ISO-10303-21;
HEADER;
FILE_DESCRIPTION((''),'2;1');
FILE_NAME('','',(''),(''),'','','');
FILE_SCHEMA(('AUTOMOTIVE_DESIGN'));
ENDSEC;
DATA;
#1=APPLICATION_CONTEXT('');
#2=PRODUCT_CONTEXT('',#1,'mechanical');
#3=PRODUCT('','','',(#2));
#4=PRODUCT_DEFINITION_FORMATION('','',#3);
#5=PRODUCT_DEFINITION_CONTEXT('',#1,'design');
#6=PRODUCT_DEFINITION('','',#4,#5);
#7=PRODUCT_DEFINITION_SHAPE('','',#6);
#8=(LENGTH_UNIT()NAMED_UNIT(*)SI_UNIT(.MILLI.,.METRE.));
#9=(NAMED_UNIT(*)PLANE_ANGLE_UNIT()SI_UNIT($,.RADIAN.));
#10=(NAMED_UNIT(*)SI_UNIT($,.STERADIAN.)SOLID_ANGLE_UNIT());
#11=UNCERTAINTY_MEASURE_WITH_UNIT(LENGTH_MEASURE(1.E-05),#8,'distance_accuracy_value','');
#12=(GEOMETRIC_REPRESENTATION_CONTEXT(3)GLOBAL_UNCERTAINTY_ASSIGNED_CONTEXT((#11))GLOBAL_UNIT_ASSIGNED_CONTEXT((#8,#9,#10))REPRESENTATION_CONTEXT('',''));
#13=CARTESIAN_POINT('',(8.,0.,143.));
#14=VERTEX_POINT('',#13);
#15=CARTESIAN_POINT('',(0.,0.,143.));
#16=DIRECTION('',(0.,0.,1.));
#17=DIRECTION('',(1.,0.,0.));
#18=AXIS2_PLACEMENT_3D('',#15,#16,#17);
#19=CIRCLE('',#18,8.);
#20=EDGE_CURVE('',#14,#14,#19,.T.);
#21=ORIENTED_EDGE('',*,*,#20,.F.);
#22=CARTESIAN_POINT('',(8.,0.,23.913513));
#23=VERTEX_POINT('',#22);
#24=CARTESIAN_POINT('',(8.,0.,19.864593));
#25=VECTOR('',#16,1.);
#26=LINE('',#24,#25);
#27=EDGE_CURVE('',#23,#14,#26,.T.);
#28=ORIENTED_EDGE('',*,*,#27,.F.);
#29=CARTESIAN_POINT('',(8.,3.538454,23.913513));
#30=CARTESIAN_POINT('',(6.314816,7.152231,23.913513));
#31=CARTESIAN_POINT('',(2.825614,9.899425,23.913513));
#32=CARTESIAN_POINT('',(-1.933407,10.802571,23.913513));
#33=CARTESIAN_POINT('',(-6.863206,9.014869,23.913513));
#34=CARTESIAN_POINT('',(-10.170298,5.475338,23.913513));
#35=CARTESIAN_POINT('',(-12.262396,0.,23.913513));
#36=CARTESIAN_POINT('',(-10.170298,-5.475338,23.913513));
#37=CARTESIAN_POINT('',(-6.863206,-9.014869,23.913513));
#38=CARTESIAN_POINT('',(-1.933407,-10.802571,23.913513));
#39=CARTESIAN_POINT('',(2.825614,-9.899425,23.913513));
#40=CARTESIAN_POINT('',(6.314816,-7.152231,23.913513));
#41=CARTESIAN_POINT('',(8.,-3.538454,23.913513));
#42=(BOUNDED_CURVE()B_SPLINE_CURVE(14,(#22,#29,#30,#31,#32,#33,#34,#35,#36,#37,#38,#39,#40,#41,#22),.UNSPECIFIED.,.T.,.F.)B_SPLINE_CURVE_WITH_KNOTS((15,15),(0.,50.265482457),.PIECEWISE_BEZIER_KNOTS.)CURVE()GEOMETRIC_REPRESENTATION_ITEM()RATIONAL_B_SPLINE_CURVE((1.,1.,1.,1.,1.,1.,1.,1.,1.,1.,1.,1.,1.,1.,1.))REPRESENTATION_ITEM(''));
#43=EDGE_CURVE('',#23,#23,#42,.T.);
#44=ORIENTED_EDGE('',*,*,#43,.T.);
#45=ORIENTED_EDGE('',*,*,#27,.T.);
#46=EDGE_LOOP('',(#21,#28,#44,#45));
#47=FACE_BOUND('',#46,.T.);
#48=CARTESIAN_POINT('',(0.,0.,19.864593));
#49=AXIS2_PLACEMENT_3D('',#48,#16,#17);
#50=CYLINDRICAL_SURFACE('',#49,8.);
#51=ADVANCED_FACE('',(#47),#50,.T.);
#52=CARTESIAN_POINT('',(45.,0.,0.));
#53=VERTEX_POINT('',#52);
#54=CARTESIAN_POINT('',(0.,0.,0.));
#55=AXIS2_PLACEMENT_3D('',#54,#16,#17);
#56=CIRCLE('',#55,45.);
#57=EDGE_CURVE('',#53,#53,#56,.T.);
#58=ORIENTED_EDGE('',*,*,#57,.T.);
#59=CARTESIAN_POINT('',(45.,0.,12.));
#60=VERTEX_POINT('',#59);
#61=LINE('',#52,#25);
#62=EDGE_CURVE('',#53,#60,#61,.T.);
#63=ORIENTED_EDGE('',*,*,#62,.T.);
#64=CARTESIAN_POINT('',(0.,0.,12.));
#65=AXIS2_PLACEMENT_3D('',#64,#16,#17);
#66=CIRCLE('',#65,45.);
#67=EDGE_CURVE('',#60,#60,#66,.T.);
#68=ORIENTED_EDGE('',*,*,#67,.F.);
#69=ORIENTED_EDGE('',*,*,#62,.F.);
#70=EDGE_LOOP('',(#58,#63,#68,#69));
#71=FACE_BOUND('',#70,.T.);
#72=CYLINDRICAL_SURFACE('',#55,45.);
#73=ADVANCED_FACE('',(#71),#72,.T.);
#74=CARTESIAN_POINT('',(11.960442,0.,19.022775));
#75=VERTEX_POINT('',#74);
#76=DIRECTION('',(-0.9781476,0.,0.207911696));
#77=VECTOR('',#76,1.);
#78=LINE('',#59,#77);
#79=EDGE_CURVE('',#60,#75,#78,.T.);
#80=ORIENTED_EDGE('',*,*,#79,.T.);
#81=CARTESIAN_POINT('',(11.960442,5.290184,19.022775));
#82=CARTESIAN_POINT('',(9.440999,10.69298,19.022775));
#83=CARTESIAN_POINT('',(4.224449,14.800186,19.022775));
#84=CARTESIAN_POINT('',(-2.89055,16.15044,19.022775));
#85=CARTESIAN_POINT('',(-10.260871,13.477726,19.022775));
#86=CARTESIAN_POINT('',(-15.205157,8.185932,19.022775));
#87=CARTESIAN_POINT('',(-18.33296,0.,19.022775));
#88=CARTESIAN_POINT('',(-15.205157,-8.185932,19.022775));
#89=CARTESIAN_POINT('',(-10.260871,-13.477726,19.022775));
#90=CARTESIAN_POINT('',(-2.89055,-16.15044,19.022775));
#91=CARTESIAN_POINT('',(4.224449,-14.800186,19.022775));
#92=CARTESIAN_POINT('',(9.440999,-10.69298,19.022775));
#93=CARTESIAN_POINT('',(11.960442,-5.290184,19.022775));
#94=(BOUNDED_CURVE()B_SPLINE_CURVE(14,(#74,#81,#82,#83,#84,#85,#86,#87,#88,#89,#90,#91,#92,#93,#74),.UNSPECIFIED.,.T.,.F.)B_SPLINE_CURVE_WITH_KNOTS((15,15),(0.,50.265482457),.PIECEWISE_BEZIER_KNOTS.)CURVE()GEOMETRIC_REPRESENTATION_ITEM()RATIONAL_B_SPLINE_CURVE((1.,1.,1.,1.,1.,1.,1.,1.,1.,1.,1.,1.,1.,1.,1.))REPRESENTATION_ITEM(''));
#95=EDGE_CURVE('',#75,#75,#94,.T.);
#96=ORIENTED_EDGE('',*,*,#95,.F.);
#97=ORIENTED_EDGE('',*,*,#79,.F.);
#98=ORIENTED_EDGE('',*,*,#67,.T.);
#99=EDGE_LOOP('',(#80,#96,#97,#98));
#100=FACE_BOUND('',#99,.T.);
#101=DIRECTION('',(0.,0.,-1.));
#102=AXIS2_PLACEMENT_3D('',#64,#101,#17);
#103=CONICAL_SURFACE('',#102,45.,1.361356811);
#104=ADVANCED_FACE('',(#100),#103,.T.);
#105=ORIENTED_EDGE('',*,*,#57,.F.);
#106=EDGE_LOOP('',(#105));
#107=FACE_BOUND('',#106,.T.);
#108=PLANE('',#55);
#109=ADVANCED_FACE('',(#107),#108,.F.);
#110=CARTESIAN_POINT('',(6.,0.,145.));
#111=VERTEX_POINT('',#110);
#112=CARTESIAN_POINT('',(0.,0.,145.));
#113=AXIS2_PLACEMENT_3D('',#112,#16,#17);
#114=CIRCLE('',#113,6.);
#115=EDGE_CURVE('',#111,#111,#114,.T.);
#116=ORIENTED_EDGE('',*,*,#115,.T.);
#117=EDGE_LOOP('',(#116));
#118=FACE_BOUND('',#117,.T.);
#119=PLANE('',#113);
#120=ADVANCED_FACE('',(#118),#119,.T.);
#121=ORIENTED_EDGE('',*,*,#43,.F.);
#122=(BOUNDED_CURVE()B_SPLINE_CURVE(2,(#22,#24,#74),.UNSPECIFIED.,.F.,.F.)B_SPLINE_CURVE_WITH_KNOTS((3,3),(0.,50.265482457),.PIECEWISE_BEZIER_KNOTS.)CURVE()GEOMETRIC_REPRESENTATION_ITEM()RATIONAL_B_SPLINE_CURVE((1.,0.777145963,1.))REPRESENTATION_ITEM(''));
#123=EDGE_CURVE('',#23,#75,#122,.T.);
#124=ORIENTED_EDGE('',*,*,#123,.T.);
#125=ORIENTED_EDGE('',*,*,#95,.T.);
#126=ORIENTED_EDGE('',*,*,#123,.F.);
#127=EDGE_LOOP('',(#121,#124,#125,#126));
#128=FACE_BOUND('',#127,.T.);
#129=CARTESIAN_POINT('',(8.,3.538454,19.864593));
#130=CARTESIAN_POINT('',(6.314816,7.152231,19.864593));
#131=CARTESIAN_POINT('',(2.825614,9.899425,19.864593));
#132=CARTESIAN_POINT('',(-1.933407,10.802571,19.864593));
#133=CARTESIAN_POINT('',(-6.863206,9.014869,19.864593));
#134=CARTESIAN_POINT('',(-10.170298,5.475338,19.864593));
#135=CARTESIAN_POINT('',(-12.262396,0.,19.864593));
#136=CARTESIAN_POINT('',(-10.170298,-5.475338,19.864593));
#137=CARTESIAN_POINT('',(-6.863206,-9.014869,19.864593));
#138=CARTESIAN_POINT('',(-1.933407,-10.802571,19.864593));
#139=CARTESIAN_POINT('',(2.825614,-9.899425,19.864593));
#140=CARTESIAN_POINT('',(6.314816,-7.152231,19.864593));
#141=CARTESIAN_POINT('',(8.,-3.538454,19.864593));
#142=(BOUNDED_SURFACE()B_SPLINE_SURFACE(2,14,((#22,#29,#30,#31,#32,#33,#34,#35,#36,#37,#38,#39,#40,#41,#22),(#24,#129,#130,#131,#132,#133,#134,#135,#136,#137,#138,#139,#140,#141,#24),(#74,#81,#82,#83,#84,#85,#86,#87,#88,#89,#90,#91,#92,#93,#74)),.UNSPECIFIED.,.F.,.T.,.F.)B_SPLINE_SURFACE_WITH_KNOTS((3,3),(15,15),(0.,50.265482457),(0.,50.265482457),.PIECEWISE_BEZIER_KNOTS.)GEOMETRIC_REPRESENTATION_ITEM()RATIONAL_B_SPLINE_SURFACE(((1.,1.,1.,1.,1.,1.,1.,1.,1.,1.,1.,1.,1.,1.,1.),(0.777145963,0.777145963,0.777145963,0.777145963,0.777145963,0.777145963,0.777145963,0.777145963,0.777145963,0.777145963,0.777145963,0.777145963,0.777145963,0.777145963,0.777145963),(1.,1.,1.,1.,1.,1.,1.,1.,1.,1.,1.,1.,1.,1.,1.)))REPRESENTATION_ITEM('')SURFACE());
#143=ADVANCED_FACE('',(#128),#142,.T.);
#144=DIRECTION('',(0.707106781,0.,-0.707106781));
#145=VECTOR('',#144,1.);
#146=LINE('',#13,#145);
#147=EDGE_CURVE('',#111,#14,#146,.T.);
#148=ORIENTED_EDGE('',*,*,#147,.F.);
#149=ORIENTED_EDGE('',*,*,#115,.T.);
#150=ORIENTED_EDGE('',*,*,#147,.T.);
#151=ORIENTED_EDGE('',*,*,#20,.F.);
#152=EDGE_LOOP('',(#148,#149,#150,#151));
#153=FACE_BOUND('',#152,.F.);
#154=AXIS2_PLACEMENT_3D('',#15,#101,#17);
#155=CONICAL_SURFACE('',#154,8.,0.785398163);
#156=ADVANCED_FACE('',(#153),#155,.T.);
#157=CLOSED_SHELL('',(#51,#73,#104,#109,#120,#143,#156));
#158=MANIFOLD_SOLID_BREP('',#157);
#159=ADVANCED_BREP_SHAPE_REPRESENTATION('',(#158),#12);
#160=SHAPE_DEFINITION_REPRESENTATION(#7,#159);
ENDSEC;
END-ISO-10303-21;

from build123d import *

# Parameters (mm, degrees)
F2_SIZE = 2
F3_R    = 5


with BuildPart() as f1:
    # F0 (on Front) → F1 (revolve)
    with BuildSketch(Plane.XZ):
        Polygon((8, 145), (0, 145), (0, 0), (45, 0), (45, 12), (8, 19.864593), align=None)
    revolve(axis=Axis((0, 0, 72.5), (0, 0, 1)))

    # F2
    f2_edges = [f1.edges().sort_by_distance(p)[0] for p in [
        (-8, 0, 145),
    ]]
    chamfer(f2_edges, length=F2_SIZE)

    # F3
    f3_edges = [f1.edges().sort_by_distance(p)[0] for p in [
        (-8, 0, 19.864593),
    ]]
    fillet(f3_edges, radius=F3_R)


solid = f1.part
